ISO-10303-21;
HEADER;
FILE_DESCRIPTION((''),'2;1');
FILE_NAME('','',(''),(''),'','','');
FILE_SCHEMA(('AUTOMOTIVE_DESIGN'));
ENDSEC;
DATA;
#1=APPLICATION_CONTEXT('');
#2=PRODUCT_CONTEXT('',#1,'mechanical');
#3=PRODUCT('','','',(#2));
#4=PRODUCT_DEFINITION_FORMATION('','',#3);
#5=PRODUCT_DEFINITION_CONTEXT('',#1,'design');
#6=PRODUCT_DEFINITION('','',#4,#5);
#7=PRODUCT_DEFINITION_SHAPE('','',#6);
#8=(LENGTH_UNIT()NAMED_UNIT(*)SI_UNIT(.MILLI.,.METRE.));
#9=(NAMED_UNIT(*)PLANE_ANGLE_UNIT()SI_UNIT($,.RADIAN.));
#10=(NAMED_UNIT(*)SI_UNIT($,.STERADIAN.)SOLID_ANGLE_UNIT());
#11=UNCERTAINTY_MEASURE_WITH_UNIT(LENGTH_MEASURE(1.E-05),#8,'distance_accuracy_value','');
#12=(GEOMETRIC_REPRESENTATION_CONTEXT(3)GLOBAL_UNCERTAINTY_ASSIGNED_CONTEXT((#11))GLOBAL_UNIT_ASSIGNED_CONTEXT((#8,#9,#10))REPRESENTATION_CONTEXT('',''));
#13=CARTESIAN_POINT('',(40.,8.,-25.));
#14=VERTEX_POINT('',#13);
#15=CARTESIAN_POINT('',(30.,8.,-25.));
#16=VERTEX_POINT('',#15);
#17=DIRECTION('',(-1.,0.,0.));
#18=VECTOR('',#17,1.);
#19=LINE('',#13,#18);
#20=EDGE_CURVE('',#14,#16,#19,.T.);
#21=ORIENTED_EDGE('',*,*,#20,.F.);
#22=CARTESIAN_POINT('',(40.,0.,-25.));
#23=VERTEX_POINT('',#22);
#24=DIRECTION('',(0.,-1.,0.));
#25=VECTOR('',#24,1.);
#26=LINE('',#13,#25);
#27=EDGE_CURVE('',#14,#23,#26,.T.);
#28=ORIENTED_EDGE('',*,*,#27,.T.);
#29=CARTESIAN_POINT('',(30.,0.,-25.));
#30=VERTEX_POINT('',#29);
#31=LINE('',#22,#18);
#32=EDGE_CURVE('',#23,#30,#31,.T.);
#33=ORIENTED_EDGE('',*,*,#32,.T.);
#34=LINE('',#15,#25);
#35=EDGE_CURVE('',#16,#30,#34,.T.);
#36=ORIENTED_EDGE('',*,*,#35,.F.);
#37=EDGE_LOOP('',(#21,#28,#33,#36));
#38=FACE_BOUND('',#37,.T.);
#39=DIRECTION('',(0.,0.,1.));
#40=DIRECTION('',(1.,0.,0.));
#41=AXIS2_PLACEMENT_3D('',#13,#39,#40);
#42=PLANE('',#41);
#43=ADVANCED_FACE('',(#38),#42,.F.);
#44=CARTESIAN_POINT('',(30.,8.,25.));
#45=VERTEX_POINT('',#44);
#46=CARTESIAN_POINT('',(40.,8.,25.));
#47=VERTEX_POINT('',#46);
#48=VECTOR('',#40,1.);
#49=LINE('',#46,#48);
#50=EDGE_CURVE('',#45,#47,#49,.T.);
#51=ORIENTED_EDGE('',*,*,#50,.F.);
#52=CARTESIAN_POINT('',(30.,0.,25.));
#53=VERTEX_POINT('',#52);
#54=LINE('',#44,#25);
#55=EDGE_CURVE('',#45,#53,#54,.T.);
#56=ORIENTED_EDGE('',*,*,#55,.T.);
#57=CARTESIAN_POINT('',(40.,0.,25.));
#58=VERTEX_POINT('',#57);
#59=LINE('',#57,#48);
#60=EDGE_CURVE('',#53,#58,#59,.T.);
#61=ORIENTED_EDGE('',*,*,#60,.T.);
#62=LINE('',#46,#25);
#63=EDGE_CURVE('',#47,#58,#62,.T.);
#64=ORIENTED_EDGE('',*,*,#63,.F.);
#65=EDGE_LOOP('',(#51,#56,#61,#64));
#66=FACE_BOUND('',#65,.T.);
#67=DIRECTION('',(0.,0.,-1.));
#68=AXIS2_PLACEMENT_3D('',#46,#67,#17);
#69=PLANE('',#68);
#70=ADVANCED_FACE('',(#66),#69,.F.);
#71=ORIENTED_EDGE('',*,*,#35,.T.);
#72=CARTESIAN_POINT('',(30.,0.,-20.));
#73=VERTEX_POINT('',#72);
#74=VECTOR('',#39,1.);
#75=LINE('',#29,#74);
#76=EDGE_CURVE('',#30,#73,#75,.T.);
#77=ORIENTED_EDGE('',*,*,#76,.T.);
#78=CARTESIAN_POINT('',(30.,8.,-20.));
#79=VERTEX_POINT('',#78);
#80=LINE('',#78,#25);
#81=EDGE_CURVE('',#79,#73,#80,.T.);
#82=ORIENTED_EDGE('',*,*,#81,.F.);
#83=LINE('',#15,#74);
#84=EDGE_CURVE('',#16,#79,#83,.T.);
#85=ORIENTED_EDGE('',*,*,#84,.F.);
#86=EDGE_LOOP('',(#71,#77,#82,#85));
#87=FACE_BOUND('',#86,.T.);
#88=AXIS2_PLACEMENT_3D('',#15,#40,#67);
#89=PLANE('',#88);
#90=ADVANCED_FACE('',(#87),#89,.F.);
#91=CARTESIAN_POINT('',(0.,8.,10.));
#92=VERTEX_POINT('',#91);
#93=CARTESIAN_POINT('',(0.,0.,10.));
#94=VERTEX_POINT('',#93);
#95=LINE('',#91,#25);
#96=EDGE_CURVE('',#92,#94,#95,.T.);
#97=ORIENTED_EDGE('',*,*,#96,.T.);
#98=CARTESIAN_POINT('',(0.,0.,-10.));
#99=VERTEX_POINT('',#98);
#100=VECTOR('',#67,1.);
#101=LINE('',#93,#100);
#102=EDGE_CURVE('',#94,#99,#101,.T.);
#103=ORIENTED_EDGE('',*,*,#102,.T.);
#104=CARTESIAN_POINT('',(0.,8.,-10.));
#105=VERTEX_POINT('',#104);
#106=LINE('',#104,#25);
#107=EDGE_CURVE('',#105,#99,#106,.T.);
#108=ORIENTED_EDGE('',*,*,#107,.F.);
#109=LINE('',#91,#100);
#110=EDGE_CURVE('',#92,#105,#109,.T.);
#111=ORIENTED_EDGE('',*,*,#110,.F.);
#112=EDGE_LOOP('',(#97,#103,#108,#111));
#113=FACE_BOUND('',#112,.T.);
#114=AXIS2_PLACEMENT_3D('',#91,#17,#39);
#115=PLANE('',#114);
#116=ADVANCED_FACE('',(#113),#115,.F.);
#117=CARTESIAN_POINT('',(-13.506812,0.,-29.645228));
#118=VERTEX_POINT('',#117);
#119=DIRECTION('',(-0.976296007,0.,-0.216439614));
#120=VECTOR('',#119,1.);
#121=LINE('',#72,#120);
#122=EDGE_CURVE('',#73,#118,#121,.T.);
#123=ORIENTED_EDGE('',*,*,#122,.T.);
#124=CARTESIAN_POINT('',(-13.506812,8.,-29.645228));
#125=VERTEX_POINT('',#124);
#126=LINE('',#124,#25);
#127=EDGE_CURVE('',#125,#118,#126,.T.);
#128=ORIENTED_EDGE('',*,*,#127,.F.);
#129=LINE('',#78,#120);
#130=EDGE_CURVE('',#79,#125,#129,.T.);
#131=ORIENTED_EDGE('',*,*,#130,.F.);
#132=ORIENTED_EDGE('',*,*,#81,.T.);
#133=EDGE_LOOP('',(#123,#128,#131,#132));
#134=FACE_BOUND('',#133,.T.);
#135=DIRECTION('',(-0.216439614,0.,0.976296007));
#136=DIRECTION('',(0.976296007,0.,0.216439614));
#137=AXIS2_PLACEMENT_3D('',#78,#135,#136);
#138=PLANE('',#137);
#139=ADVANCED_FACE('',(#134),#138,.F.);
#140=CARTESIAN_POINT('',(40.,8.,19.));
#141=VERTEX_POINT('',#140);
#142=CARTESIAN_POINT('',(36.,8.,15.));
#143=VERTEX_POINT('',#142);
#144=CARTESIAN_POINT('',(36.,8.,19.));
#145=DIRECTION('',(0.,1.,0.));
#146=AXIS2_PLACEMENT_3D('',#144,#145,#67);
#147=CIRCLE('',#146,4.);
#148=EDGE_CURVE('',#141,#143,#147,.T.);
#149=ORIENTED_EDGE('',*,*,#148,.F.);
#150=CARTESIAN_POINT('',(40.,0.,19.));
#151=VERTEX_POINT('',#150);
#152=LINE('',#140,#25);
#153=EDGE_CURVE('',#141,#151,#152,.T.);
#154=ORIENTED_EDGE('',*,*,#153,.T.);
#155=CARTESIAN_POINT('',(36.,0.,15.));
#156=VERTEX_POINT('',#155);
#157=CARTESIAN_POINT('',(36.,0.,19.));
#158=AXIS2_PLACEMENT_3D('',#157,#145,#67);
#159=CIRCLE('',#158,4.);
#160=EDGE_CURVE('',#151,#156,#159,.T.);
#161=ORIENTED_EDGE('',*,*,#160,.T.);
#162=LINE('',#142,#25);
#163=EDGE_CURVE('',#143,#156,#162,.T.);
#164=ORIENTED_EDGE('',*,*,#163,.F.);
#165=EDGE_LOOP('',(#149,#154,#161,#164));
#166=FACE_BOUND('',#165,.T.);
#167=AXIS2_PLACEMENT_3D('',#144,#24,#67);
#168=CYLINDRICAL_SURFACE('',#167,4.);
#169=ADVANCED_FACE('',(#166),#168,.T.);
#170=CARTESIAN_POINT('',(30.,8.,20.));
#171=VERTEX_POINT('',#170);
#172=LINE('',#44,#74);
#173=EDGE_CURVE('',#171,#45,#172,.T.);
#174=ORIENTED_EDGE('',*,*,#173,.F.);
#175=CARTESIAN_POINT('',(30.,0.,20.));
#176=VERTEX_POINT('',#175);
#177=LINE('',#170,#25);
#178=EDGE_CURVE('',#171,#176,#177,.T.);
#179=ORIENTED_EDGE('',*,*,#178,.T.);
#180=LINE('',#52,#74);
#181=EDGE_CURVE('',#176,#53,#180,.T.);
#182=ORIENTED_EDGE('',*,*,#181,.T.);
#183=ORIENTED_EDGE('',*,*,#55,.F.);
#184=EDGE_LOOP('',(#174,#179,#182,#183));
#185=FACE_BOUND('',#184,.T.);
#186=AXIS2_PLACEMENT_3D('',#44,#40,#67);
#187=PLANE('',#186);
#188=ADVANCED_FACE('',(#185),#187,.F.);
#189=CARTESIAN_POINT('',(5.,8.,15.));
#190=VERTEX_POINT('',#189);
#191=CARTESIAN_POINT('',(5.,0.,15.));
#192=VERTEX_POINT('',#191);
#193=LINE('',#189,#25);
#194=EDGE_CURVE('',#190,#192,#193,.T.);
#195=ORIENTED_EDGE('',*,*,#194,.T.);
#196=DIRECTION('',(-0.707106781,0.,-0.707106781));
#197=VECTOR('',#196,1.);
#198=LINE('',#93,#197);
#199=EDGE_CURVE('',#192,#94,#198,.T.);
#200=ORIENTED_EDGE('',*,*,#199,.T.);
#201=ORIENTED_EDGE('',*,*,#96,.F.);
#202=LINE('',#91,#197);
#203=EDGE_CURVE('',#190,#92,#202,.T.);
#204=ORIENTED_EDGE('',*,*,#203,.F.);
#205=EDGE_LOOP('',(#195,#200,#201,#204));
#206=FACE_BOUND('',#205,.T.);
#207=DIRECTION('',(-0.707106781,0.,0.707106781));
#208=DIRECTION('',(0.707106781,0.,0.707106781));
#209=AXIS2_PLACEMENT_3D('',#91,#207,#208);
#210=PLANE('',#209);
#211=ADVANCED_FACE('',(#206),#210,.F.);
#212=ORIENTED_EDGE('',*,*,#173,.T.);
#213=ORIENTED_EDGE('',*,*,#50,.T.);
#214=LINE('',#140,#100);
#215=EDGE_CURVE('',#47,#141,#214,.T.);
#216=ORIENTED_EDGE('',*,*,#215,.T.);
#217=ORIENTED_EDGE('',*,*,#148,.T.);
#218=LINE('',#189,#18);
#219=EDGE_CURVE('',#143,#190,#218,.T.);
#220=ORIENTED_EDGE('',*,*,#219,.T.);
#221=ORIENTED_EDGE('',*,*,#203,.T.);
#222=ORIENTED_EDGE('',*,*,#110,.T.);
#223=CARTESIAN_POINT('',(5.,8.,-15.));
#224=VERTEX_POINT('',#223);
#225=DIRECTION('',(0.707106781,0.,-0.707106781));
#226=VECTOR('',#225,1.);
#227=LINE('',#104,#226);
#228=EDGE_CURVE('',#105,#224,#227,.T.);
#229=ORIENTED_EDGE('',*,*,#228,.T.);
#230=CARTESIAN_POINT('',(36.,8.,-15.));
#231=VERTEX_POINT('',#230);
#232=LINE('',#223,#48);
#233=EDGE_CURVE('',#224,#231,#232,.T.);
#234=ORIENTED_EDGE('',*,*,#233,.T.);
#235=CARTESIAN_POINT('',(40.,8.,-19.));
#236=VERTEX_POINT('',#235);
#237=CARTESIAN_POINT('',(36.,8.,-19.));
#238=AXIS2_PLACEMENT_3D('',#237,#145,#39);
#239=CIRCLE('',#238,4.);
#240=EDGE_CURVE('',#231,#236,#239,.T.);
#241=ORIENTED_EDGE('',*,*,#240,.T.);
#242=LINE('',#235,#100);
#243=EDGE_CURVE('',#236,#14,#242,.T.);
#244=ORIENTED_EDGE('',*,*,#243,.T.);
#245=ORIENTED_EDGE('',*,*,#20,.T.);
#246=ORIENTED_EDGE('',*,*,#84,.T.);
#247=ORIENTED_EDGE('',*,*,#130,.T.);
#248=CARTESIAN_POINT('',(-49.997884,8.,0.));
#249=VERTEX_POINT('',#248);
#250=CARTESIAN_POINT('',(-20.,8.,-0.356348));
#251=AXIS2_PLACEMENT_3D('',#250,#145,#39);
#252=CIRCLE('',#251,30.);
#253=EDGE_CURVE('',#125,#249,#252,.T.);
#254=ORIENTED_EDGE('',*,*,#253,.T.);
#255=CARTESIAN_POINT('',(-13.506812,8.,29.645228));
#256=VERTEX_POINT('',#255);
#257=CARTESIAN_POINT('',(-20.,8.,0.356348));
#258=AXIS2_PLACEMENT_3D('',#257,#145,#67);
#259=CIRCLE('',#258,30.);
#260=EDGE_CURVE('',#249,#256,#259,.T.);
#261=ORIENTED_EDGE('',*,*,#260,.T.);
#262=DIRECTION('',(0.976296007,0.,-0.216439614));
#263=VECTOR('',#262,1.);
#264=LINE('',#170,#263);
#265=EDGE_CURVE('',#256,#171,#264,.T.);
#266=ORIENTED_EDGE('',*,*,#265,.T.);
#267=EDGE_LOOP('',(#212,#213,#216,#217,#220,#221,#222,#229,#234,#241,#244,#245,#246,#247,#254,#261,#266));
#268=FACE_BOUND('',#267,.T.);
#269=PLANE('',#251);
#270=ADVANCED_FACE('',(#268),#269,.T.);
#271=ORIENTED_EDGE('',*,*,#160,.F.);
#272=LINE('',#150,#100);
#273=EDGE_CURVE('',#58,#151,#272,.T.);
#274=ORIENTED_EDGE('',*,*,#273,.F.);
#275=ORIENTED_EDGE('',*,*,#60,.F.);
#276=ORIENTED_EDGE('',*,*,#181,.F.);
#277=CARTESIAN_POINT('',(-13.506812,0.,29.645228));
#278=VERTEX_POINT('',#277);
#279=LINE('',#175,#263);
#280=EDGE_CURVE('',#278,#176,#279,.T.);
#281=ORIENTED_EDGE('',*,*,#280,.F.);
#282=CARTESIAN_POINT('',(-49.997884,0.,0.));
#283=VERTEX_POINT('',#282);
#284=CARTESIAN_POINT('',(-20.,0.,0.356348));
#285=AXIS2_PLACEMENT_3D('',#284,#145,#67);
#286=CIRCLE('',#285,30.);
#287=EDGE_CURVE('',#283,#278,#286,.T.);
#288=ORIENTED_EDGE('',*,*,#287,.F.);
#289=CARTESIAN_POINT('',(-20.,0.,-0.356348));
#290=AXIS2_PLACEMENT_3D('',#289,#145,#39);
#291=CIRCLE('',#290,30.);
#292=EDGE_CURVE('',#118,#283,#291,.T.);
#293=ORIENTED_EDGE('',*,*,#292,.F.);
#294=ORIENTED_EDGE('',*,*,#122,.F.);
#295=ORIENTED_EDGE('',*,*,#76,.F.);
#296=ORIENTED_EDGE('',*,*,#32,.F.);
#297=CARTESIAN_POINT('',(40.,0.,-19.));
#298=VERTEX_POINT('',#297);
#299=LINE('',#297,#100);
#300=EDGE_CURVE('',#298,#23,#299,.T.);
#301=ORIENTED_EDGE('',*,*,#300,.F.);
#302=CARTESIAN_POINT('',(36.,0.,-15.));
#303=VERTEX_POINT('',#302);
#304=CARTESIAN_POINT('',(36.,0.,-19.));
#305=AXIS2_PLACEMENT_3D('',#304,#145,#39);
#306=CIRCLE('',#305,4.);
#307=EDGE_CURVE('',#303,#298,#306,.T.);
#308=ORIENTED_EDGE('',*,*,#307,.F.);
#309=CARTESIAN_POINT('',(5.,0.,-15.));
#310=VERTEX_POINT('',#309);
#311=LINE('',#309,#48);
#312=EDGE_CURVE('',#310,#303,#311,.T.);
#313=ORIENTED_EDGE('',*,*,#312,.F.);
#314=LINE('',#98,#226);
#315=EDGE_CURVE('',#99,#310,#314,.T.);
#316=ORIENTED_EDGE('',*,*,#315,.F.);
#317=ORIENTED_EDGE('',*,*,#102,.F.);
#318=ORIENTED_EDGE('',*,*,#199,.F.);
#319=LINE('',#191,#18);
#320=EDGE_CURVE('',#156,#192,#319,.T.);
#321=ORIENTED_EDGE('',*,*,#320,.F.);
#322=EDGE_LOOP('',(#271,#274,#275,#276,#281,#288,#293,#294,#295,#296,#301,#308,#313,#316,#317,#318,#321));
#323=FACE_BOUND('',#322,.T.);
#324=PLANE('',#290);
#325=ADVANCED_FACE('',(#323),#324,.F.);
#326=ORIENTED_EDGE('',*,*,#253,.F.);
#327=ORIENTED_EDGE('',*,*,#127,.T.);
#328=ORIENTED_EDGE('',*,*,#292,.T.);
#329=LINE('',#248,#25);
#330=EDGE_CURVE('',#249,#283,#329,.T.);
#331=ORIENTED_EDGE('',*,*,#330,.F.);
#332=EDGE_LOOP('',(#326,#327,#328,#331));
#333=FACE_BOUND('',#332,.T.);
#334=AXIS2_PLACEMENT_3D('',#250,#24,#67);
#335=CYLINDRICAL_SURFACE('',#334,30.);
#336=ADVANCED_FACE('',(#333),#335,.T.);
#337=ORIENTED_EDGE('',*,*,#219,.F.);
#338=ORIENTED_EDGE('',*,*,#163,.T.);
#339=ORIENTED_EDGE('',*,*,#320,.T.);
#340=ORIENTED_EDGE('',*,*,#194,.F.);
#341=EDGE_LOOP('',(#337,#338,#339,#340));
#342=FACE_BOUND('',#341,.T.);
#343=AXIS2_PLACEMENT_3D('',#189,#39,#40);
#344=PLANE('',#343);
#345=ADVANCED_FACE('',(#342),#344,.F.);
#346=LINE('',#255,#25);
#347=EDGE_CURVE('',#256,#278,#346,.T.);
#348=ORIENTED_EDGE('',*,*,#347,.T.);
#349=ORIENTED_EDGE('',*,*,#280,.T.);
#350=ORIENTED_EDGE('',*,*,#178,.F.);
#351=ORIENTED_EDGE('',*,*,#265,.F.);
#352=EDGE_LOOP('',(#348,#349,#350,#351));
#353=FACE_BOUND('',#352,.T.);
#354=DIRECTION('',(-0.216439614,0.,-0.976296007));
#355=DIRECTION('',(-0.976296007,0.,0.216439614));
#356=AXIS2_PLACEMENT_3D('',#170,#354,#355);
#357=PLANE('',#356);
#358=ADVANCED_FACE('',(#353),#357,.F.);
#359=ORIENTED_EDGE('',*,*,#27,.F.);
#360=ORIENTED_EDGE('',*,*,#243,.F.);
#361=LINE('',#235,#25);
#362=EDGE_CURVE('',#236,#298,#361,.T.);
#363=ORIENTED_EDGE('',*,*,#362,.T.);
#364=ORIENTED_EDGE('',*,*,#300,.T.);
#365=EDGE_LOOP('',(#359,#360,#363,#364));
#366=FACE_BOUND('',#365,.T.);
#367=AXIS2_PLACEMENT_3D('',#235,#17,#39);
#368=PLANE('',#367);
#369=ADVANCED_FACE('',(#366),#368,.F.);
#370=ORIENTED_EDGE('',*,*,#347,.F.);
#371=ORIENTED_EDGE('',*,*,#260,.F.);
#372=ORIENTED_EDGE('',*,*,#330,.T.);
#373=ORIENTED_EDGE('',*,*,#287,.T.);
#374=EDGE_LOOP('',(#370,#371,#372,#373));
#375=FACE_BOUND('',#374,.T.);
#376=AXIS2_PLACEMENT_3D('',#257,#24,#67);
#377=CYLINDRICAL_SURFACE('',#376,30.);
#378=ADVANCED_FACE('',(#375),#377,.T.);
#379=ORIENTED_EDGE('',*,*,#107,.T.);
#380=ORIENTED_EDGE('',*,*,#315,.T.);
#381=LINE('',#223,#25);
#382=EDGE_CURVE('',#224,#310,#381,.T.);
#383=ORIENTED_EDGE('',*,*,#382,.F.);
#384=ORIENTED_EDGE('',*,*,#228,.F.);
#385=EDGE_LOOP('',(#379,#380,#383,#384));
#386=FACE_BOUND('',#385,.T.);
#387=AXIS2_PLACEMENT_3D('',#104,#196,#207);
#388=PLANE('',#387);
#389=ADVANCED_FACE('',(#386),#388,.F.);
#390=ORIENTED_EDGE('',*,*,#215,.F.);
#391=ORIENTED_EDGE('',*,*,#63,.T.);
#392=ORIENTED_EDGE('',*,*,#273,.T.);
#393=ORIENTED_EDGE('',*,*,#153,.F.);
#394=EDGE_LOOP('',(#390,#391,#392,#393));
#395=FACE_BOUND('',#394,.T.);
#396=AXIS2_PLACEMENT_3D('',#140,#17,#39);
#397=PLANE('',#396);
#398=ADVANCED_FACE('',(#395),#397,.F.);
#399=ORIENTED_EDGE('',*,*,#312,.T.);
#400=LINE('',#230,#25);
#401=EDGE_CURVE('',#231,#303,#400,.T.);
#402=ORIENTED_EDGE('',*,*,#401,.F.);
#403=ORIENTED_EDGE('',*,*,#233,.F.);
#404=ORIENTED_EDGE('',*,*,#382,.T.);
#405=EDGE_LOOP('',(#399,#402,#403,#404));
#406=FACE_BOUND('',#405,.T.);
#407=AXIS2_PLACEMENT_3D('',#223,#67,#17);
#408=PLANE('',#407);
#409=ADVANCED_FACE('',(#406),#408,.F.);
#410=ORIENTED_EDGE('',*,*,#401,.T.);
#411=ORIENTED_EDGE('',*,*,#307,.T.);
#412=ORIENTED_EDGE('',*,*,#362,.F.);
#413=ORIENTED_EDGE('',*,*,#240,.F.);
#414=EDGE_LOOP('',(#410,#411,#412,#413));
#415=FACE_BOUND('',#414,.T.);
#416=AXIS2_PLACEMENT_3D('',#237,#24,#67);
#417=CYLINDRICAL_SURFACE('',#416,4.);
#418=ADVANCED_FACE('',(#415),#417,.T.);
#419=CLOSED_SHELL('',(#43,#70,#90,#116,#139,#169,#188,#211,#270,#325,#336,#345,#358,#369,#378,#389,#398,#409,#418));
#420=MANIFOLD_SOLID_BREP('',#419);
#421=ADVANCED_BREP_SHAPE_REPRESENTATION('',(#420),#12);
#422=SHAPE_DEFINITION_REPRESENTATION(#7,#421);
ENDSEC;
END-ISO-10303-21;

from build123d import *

# Parameters (mm, degrees)
P_IDAT_VYSUNUT_M2_DEPTH = 8


with BuildPart() as part:
    # Skica1 → Přidat vysunutím2 (new body)
    with BuildSketch(Plane(origin=(0, 0, 0), x_dir=(1, 0, 0), z_dir=(0, 1, 0))):
        with BuildLine():
            Line((0, -10), (0, 10))
            Line((0, 10), (5, 15))
            Line((5, 15), (36, 15))
            ThreePointArc((36, 15), (38.828427125, 16.171572875), (40, 19))
            Line((40, 19), (40, 25))
            Line((40, 25), (30, 25))
            Line((30, 25), (30, 20))
            Line((30, 20), (-13.506811582, 29.645227916))
            ThreePointArc((-13.506811582, 29.645227916), (-38.916330448, 23.640944379), (-49.997883531, 0))
            ThreePointArc((-49.997883531, 0), (-38.916330448, -23.640944379), (-13.506811582, -29.645227916))
            Line((-13.506811582, -29.645227916), (30, -20))
            Line((30, -20), (30, -25))
            Line((30, -25), (40, -25))
            Line((40, -25), (40, -19))
            ThreePointArc((40, -19), (38.828427125, -16.171572875), (36, -15))
            Line((36, -15), (5, -15))
            Line((5, -15), (0, -10))
        make_face()
    extrude(amount=P_IDAT_VYSUNUT_M2_DEPTH)


solid = part.part
